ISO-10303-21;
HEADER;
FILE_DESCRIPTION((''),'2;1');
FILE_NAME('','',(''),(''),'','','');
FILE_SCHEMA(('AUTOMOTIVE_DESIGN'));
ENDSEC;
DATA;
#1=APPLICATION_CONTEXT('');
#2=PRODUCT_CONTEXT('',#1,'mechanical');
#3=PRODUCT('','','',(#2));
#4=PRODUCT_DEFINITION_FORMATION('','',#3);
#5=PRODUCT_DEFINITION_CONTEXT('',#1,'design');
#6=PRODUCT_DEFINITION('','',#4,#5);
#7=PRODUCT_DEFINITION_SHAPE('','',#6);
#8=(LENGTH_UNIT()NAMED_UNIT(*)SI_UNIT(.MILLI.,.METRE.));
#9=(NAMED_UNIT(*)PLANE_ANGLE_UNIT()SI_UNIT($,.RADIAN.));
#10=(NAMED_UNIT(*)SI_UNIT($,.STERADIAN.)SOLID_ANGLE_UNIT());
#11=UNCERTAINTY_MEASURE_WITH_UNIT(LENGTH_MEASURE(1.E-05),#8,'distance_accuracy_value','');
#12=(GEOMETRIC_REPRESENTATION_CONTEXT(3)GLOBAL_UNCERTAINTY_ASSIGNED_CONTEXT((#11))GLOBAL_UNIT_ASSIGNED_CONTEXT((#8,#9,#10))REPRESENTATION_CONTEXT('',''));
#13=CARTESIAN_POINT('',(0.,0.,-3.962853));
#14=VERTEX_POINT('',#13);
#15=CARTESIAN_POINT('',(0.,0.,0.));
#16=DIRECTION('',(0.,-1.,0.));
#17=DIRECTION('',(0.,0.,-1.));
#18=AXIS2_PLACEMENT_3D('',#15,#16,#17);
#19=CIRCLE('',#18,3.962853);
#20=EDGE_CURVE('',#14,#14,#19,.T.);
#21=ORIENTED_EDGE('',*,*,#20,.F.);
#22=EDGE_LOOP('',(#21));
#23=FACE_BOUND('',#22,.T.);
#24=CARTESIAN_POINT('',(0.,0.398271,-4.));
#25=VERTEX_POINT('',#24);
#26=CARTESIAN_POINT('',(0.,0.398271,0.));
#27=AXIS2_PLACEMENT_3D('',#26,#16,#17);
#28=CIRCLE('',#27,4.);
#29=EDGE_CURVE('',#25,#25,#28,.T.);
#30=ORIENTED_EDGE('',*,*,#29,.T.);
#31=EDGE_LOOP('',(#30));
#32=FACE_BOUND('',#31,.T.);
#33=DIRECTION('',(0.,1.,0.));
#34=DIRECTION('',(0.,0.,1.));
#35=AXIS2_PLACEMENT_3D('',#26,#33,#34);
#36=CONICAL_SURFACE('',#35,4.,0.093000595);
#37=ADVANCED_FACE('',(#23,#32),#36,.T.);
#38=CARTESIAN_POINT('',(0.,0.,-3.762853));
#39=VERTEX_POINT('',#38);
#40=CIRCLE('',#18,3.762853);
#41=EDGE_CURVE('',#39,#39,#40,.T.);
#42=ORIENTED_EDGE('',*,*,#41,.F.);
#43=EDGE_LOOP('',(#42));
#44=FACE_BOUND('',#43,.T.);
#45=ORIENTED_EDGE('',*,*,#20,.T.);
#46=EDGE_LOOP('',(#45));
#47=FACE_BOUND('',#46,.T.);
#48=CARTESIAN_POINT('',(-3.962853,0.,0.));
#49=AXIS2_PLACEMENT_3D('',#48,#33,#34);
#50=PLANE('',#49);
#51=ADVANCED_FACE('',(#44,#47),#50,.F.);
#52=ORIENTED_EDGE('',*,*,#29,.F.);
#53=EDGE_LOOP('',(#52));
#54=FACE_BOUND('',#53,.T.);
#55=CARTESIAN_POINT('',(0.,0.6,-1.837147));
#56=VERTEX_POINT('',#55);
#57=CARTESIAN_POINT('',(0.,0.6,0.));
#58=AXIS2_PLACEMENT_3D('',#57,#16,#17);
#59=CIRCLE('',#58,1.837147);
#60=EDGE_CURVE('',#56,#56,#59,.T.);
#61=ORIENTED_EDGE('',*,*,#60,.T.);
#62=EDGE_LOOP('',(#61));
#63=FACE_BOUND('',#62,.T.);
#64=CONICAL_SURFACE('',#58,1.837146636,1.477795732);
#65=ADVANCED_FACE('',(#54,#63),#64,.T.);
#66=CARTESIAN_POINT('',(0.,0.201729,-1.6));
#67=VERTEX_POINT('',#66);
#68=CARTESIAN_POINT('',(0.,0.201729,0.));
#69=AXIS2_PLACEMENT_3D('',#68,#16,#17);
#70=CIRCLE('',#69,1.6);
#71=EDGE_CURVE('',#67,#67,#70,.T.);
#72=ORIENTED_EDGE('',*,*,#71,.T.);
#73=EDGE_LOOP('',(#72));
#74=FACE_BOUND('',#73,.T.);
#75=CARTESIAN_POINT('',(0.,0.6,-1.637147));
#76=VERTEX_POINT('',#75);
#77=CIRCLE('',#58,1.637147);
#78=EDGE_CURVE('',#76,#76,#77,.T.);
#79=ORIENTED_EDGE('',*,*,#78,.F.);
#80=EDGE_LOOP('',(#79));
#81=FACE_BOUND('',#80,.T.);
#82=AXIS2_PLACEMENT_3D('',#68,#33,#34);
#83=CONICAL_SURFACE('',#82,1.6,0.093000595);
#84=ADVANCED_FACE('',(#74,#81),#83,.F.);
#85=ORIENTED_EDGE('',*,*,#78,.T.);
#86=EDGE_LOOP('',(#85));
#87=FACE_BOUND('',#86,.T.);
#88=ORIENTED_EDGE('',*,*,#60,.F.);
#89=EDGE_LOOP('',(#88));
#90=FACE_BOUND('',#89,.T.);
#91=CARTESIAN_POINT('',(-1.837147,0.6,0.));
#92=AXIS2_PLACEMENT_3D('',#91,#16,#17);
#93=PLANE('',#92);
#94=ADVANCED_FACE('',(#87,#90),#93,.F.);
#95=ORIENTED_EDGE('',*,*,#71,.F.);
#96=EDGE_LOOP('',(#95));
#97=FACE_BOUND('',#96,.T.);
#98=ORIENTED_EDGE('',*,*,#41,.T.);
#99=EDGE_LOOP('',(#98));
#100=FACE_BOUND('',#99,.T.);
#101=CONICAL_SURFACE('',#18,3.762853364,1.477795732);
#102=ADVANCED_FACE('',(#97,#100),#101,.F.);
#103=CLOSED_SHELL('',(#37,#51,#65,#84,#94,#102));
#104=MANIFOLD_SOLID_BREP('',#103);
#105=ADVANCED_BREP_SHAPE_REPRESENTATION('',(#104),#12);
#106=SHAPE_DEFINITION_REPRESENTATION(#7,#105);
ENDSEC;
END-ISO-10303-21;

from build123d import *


with BuildPart() as part:
    # Sketch1 → Revolve1 (revolve)
    with BuildSketch(Plane.XY, mode=Mode.PRIVATE) as revolve1_sk:
        Polygon((-3.762853364, 0), (-1.6, 0.201728576), (-1.637146636, 0.6), (-1.837146636, 0.6), (-4, 0.398271424), (-3.962853364, 0), align=None)
    revolve(revolve1_sk.sketch.rotate(Axis((0, 0, 0), (0, 1, 0)), 270), axis=Axis((0, 0, 0), (0, 1, 0)))


solid = part.part
